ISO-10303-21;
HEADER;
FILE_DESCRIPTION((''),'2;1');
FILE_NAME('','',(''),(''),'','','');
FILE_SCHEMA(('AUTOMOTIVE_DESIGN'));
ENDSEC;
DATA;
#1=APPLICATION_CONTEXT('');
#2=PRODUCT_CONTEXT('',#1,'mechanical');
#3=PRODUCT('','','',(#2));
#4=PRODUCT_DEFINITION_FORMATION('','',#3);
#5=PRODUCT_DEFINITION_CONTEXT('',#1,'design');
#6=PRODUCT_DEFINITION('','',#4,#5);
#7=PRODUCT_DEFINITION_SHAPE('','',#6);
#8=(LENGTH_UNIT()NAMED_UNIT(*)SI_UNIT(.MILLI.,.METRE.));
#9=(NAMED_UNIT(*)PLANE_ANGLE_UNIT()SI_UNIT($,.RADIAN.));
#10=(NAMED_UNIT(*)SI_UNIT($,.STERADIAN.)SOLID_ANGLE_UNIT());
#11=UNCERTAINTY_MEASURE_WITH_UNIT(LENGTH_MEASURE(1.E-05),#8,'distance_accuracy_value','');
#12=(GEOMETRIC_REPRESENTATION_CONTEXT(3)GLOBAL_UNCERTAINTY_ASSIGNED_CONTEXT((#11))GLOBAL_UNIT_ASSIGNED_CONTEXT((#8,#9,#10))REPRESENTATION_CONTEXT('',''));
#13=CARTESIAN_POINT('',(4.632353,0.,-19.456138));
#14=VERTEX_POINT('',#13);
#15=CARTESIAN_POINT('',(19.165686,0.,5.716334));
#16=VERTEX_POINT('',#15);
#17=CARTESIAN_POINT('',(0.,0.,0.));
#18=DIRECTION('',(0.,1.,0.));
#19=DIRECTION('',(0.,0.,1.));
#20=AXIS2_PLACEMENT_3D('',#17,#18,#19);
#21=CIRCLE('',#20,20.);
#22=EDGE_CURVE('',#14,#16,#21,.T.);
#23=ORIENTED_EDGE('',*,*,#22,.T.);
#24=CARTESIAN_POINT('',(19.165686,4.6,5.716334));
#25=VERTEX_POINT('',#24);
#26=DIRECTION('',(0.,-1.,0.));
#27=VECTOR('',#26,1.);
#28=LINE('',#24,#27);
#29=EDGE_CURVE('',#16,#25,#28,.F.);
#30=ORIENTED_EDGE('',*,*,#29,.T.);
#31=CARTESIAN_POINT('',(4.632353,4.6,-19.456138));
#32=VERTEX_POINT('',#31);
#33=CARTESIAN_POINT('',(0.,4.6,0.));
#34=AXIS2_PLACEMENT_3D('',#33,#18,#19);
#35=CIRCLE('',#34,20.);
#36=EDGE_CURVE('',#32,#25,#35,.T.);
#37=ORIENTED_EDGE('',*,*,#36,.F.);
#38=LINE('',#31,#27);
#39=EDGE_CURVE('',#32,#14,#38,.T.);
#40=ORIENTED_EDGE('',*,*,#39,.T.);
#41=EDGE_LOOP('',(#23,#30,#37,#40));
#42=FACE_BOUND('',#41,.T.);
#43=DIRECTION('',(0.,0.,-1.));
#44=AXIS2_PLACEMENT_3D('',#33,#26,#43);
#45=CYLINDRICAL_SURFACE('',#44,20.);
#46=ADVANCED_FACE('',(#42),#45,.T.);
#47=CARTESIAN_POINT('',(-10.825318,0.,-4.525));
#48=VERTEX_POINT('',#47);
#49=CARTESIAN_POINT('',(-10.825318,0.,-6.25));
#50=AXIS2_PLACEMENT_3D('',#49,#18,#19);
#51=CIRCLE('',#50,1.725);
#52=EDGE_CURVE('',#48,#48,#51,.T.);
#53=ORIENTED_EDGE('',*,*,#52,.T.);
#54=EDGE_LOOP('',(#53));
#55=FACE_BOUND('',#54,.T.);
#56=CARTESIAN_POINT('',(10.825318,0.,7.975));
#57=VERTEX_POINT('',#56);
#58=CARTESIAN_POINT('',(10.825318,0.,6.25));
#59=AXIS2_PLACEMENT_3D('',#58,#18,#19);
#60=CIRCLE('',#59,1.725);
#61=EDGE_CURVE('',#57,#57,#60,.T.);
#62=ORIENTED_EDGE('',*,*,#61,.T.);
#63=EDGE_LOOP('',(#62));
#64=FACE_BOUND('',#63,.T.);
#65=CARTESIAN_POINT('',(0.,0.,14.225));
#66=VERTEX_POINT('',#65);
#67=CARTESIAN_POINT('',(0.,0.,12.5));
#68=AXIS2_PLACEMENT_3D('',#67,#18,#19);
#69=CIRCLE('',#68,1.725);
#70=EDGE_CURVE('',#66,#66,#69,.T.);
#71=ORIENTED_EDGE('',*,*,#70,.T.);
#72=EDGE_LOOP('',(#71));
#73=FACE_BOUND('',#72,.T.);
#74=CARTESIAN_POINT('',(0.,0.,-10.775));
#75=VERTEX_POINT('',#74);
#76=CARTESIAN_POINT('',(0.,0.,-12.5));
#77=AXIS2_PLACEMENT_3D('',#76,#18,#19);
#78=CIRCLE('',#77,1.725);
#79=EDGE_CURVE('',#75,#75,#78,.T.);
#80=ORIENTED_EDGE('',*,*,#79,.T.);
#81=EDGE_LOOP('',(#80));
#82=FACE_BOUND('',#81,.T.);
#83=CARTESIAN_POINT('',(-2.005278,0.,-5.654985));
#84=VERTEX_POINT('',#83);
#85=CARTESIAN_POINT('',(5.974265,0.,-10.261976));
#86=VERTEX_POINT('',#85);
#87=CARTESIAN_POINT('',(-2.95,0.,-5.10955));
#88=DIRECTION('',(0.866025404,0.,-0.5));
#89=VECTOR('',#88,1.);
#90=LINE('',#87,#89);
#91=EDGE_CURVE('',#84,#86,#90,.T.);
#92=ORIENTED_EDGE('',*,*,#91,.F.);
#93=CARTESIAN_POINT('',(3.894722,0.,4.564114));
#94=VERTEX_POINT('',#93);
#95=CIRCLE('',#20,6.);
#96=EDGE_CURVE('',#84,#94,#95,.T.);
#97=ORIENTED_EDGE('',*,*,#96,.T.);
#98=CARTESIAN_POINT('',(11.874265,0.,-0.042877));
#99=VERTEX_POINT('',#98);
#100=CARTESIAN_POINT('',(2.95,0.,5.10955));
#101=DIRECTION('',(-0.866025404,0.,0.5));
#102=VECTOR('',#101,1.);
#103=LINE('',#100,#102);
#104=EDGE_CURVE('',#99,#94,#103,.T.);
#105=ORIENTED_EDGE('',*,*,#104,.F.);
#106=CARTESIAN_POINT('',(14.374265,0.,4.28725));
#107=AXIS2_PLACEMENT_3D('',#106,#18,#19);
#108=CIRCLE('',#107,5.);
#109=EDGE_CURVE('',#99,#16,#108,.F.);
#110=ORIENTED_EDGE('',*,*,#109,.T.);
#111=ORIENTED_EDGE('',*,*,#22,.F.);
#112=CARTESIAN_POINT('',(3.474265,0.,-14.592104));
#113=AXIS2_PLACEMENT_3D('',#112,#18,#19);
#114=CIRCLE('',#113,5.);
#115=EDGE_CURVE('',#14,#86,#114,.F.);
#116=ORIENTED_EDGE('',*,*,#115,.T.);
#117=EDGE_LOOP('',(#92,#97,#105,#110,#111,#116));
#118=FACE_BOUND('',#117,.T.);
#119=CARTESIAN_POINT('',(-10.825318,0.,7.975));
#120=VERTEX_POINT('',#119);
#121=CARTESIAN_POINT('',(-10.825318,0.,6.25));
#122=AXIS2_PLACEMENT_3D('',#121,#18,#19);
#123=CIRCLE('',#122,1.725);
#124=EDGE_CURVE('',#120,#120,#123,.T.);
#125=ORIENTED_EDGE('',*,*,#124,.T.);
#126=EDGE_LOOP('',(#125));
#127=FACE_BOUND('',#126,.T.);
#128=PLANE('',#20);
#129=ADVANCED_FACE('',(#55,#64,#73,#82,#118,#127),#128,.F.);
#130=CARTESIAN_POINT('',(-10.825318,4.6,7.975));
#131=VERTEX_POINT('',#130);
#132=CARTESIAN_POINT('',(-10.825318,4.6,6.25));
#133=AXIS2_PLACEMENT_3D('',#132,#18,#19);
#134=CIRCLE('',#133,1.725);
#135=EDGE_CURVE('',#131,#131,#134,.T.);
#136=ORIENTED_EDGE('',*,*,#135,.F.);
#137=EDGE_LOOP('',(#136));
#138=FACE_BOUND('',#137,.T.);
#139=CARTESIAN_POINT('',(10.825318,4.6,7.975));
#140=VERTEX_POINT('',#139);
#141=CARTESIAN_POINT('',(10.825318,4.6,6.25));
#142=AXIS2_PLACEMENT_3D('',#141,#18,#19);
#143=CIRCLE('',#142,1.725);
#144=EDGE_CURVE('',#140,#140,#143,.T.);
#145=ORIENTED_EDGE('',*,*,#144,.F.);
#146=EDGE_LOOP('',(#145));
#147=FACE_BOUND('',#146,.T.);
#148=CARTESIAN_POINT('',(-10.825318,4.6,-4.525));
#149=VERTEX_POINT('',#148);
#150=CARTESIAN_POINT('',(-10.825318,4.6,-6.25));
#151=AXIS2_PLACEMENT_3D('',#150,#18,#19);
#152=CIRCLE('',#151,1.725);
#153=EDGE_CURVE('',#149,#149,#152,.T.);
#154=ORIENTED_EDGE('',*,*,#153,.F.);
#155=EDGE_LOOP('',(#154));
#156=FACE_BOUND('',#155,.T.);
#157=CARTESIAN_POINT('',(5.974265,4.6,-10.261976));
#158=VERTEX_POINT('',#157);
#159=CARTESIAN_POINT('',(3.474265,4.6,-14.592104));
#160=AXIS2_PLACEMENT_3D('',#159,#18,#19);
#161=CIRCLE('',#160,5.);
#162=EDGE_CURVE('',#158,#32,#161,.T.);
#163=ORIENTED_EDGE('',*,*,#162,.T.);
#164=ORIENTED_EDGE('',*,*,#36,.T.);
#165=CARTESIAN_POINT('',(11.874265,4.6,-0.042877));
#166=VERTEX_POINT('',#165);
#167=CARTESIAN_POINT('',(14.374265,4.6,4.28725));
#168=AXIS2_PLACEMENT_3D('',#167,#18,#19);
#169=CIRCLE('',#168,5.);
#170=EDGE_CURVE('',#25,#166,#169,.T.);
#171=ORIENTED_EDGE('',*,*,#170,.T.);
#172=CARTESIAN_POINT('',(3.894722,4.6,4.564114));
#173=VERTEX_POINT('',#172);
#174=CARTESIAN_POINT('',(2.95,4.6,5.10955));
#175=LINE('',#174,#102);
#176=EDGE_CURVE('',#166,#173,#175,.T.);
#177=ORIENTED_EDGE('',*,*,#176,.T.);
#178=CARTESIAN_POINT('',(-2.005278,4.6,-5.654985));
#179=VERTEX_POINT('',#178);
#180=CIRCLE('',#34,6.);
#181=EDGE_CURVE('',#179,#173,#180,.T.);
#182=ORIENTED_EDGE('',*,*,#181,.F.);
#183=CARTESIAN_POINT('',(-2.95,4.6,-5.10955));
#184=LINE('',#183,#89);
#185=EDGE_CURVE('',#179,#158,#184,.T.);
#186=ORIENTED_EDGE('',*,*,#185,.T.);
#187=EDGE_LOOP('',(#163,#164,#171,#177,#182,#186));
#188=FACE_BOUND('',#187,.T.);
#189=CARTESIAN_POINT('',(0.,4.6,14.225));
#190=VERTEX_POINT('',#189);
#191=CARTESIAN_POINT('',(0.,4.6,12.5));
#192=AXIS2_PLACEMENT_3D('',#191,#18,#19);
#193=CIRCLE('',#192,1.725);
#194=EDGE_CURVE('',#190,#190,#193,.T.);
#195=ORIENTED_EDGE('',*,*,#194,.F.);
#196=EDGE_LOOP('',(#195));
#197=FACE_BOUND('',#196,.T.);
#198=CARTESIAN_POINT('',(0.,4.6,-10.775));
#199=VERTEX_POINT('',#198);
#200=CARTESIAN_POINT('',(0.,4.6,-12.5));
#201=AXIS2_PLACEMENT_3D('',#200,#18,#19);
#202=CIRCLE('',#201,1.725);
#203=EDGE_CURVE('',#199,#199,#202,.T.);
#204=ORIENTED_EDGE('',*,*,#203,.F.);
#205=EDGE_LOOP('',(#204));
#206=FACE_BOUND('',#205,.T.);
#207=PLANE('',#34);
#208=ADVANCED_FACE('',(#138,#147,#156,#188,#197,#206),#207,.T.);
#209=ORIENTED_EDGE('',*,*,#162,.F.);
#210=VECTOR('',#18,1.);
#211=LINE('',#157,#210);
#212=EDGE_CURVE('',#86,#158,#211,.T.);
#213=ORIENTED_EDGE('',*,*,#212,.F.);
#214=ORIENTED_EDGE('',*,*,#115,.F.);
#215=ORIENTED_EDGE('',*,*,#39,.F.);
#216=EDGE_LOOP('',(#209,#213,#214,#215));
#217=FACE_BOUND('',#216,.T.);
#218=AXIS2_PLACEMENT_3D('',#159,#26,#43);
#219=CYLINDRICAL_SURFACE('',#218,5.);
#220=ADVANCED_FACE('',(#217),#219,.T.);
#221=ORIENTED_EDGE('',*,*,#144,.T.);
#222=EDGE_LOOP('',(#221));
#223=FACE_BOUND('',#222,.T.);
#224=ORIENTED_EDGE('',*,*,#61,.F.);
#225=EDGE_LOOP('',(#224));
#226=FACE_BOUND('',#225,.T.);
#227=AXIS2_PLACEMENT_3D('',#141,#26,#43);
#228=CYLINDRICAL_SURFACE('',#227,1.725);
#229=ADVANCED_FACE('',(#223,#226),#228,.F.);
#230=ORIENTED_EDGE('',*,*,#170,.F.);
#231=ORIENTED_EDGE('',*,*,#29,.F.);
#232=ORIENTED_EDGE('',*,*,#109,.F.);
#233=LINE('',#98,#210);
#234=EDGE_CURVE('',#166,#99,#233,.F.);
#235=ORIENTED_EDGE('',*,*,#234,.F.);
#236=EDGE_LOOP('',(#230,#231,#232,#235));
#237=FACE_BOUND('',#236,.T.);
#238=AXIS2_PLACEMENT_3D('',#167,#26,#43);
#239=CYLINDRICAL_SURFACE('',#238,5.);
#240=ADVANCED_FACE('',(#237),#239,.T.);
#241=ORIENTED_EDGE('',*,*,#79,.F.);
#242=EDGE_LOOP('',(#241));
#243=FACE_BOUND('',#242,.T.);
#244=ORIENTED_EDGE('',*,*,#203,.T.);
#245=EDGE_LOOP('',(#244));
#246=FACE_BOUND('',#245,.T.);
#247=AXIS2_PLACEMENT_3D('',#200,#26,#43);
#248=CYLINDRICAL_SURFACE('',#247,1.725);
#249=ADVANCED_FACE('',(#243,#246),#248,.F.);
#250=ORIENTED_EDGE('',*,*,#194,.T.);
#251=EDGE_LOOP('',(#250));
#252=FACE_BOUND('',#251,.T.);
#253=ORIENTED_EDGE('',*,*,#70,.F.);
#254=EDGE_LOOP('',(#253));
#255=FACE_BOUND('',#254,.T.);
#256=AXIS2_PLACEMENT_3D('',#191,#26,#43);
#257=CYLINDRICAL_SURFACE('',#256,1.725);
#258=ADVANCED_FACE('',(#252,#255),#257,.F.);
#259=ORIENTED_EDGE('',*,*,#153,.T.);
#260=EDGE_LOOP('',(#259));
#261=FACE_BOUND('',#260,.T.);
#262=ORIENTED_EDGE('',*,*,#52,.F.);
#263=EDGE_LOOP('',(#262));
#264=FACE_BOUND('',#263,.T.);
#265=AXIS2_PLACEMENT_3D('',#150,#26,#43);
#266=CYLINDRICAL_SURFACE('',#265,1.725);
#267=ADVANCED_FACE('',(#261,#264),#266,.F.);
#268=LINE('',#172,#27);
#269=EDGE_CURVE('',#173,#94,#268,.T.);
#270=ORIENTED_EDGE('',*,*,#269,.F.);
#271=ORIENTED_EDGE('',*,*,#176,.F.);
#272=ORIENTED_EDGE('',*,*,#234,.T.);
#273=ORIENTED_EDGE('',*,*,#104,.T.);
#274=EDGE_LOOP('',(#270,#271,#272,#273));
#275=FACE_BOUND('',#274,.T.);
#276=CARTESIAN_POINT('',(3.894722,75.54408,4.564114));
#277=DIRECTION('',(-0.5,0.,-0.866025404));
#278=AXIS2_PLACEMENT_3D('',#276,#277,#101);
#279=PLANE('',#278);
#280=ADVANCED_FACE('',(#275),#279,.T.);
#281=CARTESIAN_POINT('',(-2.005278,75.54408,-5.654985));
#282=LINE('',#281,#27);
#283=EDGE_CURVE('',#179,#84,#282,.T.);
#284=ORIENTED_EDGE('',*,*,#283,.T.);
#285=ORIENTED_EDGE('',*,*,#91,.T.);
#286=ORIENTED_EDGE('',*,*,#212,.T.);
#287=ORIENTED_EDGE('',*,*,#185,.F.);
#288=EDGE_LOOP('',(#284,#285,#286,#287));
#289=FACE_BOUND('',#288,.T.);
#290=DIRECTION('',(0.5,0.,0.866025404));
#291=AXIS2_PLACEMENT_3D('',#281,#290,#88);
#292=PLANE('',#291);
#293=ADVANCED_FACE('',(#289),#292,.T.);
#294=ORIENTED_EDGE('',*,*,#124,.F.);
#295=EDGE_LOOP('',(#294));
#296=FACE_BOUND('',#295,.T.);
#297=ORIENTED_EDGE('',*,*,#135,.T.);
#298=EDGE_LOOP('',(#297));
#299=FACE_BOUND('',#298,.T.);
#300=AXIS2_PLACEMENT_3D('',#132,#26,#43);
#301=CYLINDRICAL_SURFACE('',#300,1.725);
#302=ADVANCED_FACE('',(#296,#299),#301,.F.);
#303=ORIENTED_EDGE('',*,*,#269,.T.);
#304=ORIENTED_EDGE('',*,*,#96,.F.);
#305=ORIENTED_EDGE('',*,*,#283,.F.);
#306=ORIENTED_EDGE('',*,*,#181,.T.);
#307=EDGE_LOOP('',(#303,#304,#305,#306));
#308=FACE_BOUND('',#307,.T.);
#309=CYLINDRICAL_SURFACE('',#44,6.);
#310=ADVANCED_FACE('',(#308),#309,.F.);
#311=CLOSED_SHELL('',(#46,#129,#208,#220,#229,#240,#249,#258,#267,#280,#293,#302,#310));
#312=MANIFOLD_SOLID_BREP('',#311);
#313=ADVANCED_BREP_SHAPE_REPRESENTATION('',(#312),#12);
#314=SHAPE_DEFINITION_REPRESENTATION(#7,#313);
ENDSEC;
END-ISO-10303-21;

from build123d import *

# Parameters (mm, degrees)
SKETCH1_R               = 20
SKETCH1_R_2             = 6
SKETCH1_R_3             = 1.725
BOSS_EXTRUDE1_DEPTH     = 4.6
CUT_EXTRUDE1_DEPTH      = 29.655889447
CUT_EXTRUDE1_DEPTH_BACK = 29.655889447
SKETCH2_R               = 1.725
FILLET2_R               = 5


with BuildPart() as part:
    # Sketch1 → Boss-Extrude1 (new body)
    with BuildSketch(Plane(origin=(0, 0, 0), x_dir=(1, 0, 0), z_dir=(0, 1, 0))):
        with Locations(Location((0, 0, 0), (0, 0, 270))):
            Circle(SKETCH1_R)
        with Locations(Location((0, 0, 0), (0, 0, 270))):
            Circle(SKETCH1_R_2, mode=Mode.SUBTRACT)
        with Locations(Location((0, 12.5, 0), (0, 0, 270))):
            Circle(SKETCH1_R_3, mode=Mode.SUBTRACT)
        with Locations(Location((10.825317547, 6.25, 0), (0, 0, 270))):
            Circle(SKETCH1_R_3, mode=Mode.SUBTRACT)
        with Locations(Location((10.825317547, -6.25, 0), (0, 0, 270))):
            Circle(SKETCH1_R_3, mode=Mode.SUBTRACT)
        with Locations(Location((0, -12.5, 0), (0, 0, 270))):
            Circle(SKETCH1_R_3, mode=Mode.SUBTRACT)
        with Locations(Location((-10.825317547, -6.25, 0), (0, 0, 270))):
            Circle(SKETCH1_R_3, mode=Mode.SUBTRACT)
        with Locations(Location((-10.825317547, 6.25, 0), (0, 0, 270))):
            Circle(SKETCH1_R_3, mode=Mode.SUBTRACT)
    extrude(amount=BOSS_EXTRUDE1_DEPTH)

    # Sketch2 → Cut-Extrude1 (cut, two sides: drawn at the far end of the back side and taken through both)
    with BuildSketch(Plane(origin=(0, 4.6, 0), x_dir=(1, 0, 0), z_dir=(0, 1, 0)).offset(-CUT_EXTRUDE1_DEPTH_BACK)):
        with BuildLine():
            Line((13.599697882, 14.66452241), (-2.005277819, 5.654985488))
            ThreePointArc((-2.005277819, 5.654985488), (3.461815498, 4.900595214), (6, 0))
            ThreePointArc((6, 0), (5.448317772, -2.5131322), (3.894722181, -4.564114277))
            Line((3.894722181, -4.564114277), (19.499697882, 4.445422645))
            ThreePointArc((19.499697882, 4.445422645), (17.320508076, 10), (13.599697882, 14.66452241))
        make_face()
        with Locations((10.825317547, 6.25)):
            Circle(SKETCH2_R, mode=Mode.SUBTRACT)
    extrude(amount=CUT_EXTRUDE1_DEPTH + CUT_EXTRUDE1_DEPTH_BACK, mode=Mode.SUBTRACT)

    # Fillet2
    fillet2_edges = [part.edges().sort_by_distance(p)[0] for p in [
        (19.499697882, 2.3, -4.445422645),
        (13.599697882, 2.3, -14.66452241),
    ]]
    fillet(fillet2_edges, radius=FILLET2_R)


solid = part.part
